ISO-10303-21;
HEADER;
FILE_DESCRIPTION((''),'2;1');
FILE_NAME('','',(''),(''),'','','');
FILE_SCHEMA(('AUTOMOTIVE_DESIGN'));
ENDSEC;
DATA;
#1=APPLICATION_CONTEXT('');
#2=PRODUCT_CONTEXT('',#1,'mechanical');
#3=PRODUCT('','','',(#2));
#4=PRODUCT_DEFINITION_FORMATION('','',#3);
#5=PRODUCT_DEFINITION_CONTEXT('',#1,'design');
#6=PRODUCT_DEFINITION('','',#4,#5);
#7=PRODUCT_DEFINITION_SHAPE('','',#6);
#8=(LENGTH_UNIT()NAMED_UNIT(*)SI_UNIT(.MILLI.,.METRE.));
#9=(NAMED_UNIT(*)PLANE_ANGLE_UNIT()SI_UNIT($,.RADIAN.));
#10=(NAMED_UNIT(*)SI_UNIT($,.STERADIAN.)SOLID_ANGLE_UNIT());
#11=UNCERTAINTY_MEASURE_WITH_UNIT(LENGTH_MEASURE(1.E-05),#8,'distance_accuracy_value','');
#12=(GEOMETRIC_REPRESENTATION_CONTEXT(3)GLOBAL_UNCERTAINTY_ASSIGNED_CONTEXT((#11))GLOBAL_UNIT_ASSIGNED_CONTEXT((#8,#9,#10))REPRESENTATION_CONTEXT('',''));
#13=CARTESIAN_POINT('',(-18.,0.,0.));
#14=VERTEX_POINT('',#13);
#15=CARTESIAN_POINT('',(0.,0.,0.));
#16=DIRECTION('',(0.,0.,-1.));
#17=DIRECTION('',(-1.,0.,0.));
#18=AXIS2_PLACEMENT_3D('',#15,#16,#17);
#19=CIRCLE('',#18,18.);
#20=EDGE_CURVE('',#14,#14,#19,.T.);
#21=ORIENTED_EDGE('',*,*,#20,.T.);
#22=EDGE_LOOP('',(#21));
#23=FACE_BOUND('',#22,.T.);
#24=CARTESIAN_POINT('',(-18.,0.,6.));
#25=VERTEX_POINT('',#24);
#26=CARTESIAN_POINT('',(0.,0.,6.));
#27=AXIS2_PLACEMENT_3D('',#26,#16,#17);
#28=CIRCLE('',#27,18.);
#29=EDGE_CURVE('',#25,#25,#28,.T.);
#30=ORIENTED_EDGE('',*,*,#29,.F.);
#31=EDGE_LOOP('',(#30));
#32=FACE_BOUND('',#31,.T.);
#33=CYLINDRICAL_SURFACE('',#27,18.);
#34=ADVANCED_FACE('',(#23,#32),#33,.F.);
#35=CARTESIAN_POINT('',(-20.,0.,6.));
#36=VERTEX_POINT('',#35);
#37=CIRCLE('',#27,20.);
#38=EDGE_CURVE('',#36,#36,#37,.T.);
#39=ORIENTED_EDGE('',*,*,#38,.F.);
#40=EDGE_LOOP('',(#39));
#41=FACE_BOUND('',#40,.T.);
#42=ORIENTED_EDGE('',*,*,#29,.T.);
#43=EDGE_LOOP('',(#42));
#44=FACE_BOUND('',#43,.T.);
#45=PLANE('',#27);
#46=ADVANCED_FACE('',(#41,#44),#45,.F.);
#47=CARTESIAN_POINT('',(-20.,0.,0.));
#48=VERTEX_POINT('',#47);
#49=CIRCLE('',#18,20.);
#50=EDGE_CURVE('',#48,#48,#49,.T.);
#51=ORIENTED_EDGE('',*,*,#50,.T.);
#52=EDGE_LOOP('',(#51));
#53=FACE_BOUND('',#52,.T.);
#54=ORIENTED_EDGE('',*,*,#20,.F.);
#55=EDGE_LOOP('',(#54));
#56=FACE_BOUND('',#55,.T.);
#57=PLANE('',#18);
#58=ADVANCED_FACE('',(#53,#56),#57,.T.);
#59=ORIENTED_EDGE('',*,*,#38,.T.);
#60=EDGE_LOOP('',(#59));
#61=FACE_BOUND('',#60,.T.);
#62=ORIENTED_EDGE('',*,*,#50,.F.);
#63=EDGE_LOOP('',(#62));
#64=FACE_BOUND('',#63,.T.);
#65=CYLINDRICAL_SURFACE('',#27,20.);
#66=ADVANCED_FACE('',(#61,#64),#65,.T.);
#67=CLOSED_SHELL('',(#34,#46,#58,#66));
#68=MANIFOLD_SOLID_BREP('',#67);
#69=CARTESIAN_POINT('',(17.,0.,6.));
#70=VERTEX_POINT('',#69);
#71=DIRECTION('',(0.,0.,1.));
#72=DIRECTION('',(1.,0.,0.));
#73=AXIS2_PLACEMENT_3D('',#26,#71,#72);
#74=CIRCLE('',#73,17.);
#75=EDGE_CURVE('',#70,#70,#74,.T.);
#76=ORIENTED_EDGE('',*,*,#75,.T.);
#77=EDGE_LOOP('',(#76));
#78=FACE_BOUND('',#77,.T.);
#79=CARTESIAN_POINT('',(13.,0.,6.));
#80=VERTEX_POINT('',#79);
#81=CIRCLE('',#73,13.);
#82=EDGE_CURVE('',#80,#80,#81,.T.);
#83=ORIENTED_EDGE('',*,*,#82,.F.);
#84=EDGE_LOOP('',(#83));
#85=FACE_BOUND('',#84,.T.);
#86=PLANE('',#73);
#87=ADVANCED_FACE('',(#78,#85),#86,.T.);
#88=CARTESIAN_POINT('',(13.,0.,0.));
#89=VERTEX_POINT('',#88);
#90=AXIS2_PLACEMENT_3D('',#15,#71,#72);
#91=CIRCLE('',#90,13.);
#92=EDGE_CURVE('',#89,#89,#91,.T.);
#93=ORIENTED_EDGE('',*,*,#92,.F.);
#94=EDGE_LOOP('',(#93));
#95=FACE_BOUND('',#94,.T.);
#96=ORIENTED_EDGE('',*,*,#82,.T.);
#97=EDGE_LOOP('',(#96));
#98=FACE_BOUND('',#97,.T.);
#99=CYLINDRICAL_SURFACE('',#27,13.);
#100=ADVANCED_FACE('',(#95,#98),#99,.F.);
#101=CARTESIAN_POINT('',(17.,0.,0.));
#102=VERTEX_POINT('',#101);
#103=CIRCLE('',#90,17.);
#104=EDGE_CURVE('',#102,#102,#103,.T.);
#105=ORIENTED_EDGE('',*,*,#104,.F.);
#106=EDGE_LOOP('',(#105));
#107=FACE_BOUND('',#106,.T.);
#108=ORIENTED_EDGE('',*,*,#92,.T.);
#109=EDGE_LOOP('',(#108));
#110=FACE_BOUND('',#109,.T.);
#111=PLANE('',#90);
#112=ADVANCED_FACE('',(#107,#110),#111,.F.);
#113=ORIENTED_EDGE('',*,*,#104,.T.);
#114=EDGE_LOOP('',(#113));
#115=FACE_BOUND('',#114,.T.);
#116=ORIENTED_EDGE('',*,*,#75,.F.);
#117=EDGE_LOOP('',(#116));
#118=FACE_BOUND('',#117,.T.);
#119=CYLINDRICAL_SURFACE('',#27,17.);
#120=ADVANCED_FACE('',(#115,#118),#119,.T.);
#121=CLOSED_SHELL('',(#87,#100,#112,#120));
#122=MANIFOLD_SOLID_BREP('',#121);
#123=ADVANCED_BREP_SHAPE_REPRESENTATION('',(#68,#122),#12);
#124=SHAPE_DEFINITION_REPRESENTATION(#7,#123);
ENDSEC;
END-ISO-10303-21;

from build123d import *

# Parameters (mm, degrees)
SKETCH1_R           = 17
SKETCH1_R_2         = 13
BOSS_EXTRUDE1_DEPTH = 6
SKETCH2_R           = 20
SKETCH2_R_2         = 18
BOSS_EXTRUDE2_DEPTH = 6


with BuildPart() as part:
    # Sketch1 → Boss-Extrude1 (new body)
    with BuildSketch(Plane.XY):
        Circle(SKETCH1_R)
        Circle(SKETCH1_R_2, mode=Mode.SUBTRACT)
    extrude(amount=BOSS_EXTRUDE1_DEPTH)


with BuildPart() as body_2:
    # Sketch2 → Boss-Extrude2 (new body)
    with BuildSketch(Plane(origin=(0, 0, 0), x_dir=(-1, 0, 0), z_dir=(0, 0, -1))):
        Circle(SKETCH2_R)
        Circle(SKETCH2_R_2, mode=Mode.SUBTRACT)
    extrude(amount=-BOSS_EXTRUDE2_DEPTH)


solid = Compound([part.part, body_2.part])
